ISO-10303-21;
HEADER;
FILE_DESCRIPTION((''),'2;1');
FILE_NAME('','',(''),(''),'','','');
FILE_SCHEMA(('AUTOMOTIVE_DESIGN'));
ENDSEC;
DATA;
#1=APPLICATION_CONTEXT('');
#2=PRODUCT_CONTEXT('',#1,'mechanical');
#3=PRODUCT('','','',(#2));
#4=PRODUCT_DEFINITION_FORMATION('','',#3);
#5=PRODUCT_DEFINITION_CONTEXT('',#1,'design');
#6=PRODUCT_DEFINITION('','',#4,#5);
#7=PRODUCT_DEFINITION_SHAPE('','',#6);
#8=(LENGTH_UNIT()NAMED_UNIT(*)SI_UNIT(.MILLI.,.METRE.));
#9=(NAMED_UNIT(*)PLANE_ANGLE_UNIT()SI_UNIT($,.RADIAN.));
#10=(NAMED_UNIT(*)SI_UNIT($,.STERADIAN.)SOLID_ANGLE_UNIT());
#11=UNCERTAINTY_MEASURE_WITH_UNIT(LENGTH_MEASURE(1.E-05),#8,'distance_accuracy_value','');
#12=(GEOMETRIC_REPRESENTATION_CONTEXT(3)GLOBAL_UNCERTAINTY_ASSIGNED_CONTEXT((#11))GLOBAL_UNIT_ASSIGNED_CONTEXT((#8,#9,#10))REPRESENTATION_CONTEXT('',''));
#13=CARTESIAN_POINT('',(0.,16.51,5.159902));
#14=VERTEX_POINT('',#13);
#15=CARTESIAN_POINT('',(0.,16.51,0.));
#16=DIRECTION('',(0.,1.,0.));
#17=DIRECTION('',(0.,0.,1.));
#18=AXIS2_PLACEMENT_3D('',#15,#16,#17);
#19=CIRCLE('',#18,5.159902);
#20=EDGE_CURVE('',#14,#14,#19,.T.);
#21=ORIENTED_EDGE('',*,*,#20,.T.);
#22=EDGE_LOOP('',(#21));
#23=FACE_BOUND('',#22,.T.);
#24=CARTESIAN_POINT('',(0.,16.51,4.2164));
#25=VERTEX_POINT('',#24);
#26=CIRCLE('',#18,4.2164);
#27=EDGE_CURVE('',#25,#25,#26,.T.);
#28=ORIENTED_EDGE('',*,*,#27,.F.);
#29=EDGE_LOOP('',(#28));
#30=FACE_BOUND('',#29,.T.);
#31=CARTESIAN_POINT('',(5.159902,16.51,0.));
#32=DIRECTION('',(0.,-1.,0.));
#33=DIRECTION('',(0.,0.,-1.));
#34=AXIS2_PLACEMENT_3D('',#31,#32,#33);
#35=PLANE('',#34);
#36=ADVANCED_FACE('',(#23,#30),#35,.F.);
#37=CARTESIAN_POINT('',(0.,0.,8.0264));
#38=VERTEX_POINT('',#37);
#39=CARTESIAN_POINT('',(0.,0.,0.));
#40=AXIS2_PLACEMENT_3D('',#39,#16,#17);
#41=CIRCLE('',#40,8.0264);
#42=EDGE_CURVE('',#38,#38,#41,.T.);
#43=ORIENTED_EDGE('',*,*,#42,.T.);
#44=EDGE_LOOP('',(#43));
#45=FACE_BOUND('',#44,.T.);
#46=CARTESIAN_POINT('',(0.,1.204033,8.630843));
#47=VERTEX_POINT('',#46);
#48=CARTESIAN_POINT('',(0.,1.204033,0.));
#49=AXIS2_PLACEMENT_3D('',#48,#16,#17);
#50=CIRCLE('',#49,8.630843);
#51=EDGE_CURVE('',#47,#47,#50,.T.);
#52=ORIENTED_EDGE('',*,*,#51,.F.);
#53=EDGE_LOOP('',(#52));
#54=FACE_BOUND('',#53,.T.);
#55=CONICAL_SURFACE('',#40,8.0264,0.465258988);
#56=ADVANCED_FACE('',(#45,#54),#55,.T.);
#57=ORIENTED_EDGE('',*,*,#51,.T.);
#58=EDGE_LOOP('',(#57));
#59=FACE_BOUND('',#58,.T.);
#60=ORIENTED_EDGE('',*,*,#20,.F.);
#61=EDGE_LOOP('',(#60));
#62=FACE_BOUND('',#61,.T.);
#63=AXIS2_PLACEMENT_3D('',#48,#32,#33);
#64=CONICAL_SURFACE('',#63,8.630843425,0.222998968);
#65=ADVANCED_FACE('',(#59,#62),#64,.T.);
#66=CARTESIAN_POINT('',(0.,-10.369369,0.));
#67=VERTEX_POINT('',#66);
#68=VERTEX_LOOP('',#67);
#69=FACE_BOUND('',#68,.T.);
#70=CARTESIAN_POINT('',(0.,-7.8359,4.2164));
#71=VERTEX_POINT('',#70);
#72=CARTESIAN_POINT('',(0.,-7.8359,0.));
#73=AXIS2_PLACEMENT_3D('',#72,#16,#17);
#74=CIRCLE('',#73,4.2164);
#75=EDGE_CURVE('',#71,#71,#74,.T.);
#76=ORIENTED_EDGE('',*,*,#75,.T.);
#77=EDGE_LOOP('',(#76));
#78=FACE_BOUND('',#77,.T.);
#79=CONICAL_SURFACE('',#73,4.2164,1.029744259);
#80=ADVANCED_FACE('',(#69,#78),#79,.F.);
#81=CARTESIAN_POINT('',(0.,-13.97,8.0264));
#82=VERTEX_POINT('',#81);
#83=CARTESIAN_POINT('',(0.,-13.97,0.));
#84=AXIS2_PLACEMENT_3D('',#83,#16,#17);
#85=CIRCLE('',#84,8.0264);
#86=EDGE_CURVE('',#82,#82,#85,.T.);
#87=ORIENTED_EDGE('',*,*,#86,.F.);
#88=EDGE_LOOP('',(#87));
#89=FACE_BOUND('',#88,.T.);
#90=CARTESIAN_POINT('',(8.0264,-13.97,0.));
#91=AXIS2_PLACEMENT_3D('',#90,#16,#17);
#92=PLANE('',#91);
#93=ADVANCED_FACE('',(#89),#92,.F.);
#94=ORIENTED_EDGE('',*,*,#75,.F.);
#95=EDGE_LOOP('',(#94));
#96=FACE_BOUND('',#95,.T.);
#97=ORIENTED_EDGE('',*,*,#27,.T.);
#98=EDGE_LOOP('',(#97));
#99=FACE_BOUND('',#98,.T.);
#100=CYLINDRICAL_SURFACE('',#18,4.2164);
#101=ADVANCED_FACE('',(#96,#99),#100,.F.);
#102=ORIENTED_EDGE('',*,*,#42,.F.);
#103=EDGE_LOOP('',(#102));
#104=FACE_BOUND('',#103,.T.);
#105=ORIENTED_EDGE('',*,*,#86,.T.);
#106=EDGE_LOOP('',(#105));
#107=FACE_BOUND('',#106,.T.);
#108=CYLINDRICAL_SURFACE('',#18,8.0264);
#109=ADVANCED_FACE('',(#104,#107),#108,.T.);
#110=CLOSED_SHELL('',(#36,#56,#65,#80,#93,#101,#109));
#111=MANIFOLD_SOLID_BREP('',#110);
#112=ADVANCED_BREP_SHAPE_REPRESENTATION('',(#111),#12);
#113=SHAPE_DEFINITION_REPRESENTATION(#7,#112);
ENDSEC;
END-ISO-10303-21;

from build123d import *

# Parameters (mm, degrees)
F_3_8_24_TAPPED_HOLE1_D     = 8.4328
F_3_8_24_TAPPED_HOLE1_DEPTH = 24.3459
F_3_8_24_TAPPED_HOLE1_TIP   = 2.533468714


with BuildPart() as part:
    # Sketch3 → Revolve1 (revolve)
    with BuildSketch(Plane.XY, mode=Mode.PRIVATE) as revolve1_sk:
        Polygon((8.0264, -13.97), (0, -13.97), (0, 16.51), (5.159901878, 16.51), (8.630843425, 1.204032551), (8.0264, 0), align=None)
    revolve(revolve1_sk.sketch.rotate(Axis((0, 16.51, 0), (0, -1, 0)), 90), axis=Axis((0, 16.51, 0), (0, -1, 0)))

    # 3/8-24 Tapped Hole1
    with Locations(Plane(origin=(0, 16.51, 0), x_dir=(1, 0, 0), z_dir=(0, 1, 0))):
        with Locations((0, 0)):
            Hole(F_3_8_24_TAPPED_HOLE1_D / 2, depth=F_3_8_24_TAPPED_HOLE1_DEPTH)
            with Locations((0, 0, -(F_3_8_24_TAPPED_HOLE1_DEPTH + F_3_8_24_TAPPED_HOLE1_TIP / 2))):  # 118° drill point
                Cone(0, F_3_8_24_TAPPED_HOLE1_D / 2, F_3_8_24_TAPPED_HOLE1_TIP, mode=Mode.SUBTRACT)


solid = part.part
